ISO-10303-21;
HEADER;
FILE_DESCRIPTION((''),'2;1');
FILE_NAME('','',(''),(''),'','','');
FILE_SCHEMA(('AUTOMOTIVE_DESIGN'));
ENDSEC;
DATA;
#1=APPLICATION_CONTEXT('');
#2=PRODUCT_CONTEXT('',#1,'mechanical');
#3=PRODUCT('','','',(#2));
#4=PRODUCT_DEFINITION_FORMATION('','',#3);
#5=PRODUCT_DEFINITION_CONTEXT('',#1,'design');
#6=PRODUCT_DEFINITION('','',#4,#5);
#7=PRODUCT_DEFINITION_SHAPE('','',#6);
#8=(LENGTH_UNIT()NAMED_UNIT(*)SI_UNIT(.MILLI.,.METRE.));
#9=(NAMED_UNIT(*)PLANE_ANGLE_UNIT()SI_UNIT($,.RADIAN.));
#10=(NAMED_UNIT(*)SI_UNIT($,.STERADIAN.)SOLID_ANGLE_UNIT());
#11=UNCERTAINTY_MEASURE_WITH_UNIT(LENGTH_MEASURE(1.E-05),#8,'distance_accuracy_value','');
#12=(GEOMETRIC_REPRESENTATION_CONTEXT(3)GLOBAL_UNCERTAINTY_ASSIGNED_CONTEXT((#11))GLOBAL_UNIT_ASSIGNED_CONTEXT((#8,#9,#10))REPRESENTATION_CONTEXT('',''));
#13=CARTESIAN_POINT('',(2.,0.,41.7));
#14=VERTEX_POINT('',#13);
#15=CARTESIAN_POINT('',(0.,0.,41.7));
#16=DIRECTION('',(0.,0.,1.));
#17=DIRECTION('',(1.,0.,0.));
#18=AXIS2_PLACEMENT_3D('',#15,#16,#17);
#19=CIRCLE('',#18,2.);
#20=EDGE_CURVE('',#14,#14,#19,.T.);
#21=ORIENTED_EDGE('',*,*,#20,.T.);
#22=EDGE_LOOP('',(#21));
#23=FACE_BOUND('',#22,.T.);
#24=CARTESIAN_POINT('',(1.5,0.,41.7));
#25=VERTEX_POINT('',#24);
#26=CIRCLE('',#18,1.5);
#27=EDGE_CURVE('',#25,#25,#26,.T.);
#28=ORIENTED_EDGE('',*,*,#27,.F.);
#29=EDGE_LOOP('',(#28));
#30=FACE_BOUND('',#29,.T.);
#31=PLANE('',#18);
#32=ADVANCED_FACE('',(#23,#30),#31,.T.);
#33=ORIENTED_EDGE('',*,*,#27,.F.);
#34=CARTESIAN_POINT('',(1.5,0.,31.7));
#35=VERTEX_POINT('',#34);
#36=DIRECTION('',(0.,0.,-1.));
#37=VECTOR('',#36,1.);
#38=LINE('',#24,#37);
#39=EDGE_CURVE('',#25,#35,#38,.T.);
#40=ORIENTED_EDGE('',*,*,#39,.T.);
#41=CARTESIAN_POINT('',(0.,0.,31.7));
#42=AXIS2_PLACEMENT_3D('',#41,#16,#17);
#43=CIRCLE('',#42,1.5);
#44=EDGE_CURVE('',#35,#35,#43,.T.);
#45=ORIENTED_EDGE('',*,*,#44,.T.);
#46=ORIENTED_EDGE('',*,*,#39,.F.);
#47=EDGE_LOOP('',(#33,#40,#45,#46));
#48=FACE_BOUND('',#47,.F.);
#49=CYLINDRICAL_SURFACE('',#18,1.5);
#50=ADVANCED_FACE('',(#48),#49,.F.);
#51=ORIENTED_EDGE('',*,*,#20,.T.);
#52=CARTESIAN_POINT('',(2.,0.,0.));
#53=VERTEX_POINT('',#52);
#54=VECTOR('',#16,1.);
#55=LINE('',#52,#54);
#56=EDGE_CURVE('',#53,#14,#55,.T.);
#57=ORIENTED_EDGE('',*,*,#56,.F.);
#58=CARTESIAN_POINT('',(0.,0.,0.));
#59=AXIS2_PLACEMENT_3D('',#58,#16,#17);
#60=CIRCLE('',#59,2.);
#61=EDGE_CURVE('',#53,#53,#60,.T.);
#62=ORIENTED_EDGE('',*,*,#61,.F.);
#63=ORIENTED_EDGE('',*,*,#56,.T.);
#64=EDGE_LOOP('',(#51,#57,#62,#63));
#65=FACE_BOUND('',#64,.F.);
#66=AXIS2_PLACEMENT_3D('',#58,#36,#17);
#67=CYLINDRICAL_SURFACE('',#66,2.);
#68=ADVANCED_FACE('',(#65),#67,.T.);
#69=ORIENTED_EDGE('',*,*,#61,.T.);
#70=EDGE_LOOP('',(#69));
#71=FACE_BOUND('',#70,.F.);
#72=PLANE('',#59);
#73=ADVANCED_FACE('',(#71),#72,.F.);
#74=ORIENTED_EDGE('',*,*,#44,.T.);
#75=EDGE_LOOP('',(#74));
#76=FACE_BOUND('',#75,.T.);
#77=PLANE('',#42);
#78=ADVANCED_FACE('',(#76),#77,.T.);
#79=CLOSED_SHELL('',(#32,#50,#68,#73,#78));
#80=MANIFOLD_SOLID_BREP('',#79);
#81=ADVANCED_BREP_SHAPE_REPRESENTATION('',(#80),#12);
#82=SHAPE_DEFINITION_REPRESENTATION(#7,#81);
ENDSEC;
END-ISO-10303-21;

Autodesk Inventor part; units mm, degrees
ref_plane "YZ Plane" through (0, 0, 0) normal (1, 0, 0) x (0, 1, 0)
ref_plane "XZ Plane" through (0, 0, 0) normal (0, 1, 0) x (-1, 0, 0)
ref_plane "XY Plane" through (0, 0, 0) normal (0, 0, 1) x (1, 0, 0)
sketch "スケッチ1" plane through (0, 0, 0) normal (0, 0, 1) x (1, 0, 0)
  circle A0 centre (0, 0) radius 2
  dimension "d0" = 4
extrude "押し出し1" add sketch "スケッチ1" along normal blind 41.7
sketch "スケッチ2" plane through (0, 0, 41.7) normal (0, 0, 1) x (1, 0, 0)
  circle A0 centre (0, 0) radius 1.5
  dimension "d3" = 3
extrude "押し出し2" cut sketch "スケッチ2" against normal blind 10
thread "ねじ1" size "M3x0.5" class "6H" standard "ANSI Metric M Profile" full length
properties part number "shaft_41.7mm" material "アルミニウム 5052"
